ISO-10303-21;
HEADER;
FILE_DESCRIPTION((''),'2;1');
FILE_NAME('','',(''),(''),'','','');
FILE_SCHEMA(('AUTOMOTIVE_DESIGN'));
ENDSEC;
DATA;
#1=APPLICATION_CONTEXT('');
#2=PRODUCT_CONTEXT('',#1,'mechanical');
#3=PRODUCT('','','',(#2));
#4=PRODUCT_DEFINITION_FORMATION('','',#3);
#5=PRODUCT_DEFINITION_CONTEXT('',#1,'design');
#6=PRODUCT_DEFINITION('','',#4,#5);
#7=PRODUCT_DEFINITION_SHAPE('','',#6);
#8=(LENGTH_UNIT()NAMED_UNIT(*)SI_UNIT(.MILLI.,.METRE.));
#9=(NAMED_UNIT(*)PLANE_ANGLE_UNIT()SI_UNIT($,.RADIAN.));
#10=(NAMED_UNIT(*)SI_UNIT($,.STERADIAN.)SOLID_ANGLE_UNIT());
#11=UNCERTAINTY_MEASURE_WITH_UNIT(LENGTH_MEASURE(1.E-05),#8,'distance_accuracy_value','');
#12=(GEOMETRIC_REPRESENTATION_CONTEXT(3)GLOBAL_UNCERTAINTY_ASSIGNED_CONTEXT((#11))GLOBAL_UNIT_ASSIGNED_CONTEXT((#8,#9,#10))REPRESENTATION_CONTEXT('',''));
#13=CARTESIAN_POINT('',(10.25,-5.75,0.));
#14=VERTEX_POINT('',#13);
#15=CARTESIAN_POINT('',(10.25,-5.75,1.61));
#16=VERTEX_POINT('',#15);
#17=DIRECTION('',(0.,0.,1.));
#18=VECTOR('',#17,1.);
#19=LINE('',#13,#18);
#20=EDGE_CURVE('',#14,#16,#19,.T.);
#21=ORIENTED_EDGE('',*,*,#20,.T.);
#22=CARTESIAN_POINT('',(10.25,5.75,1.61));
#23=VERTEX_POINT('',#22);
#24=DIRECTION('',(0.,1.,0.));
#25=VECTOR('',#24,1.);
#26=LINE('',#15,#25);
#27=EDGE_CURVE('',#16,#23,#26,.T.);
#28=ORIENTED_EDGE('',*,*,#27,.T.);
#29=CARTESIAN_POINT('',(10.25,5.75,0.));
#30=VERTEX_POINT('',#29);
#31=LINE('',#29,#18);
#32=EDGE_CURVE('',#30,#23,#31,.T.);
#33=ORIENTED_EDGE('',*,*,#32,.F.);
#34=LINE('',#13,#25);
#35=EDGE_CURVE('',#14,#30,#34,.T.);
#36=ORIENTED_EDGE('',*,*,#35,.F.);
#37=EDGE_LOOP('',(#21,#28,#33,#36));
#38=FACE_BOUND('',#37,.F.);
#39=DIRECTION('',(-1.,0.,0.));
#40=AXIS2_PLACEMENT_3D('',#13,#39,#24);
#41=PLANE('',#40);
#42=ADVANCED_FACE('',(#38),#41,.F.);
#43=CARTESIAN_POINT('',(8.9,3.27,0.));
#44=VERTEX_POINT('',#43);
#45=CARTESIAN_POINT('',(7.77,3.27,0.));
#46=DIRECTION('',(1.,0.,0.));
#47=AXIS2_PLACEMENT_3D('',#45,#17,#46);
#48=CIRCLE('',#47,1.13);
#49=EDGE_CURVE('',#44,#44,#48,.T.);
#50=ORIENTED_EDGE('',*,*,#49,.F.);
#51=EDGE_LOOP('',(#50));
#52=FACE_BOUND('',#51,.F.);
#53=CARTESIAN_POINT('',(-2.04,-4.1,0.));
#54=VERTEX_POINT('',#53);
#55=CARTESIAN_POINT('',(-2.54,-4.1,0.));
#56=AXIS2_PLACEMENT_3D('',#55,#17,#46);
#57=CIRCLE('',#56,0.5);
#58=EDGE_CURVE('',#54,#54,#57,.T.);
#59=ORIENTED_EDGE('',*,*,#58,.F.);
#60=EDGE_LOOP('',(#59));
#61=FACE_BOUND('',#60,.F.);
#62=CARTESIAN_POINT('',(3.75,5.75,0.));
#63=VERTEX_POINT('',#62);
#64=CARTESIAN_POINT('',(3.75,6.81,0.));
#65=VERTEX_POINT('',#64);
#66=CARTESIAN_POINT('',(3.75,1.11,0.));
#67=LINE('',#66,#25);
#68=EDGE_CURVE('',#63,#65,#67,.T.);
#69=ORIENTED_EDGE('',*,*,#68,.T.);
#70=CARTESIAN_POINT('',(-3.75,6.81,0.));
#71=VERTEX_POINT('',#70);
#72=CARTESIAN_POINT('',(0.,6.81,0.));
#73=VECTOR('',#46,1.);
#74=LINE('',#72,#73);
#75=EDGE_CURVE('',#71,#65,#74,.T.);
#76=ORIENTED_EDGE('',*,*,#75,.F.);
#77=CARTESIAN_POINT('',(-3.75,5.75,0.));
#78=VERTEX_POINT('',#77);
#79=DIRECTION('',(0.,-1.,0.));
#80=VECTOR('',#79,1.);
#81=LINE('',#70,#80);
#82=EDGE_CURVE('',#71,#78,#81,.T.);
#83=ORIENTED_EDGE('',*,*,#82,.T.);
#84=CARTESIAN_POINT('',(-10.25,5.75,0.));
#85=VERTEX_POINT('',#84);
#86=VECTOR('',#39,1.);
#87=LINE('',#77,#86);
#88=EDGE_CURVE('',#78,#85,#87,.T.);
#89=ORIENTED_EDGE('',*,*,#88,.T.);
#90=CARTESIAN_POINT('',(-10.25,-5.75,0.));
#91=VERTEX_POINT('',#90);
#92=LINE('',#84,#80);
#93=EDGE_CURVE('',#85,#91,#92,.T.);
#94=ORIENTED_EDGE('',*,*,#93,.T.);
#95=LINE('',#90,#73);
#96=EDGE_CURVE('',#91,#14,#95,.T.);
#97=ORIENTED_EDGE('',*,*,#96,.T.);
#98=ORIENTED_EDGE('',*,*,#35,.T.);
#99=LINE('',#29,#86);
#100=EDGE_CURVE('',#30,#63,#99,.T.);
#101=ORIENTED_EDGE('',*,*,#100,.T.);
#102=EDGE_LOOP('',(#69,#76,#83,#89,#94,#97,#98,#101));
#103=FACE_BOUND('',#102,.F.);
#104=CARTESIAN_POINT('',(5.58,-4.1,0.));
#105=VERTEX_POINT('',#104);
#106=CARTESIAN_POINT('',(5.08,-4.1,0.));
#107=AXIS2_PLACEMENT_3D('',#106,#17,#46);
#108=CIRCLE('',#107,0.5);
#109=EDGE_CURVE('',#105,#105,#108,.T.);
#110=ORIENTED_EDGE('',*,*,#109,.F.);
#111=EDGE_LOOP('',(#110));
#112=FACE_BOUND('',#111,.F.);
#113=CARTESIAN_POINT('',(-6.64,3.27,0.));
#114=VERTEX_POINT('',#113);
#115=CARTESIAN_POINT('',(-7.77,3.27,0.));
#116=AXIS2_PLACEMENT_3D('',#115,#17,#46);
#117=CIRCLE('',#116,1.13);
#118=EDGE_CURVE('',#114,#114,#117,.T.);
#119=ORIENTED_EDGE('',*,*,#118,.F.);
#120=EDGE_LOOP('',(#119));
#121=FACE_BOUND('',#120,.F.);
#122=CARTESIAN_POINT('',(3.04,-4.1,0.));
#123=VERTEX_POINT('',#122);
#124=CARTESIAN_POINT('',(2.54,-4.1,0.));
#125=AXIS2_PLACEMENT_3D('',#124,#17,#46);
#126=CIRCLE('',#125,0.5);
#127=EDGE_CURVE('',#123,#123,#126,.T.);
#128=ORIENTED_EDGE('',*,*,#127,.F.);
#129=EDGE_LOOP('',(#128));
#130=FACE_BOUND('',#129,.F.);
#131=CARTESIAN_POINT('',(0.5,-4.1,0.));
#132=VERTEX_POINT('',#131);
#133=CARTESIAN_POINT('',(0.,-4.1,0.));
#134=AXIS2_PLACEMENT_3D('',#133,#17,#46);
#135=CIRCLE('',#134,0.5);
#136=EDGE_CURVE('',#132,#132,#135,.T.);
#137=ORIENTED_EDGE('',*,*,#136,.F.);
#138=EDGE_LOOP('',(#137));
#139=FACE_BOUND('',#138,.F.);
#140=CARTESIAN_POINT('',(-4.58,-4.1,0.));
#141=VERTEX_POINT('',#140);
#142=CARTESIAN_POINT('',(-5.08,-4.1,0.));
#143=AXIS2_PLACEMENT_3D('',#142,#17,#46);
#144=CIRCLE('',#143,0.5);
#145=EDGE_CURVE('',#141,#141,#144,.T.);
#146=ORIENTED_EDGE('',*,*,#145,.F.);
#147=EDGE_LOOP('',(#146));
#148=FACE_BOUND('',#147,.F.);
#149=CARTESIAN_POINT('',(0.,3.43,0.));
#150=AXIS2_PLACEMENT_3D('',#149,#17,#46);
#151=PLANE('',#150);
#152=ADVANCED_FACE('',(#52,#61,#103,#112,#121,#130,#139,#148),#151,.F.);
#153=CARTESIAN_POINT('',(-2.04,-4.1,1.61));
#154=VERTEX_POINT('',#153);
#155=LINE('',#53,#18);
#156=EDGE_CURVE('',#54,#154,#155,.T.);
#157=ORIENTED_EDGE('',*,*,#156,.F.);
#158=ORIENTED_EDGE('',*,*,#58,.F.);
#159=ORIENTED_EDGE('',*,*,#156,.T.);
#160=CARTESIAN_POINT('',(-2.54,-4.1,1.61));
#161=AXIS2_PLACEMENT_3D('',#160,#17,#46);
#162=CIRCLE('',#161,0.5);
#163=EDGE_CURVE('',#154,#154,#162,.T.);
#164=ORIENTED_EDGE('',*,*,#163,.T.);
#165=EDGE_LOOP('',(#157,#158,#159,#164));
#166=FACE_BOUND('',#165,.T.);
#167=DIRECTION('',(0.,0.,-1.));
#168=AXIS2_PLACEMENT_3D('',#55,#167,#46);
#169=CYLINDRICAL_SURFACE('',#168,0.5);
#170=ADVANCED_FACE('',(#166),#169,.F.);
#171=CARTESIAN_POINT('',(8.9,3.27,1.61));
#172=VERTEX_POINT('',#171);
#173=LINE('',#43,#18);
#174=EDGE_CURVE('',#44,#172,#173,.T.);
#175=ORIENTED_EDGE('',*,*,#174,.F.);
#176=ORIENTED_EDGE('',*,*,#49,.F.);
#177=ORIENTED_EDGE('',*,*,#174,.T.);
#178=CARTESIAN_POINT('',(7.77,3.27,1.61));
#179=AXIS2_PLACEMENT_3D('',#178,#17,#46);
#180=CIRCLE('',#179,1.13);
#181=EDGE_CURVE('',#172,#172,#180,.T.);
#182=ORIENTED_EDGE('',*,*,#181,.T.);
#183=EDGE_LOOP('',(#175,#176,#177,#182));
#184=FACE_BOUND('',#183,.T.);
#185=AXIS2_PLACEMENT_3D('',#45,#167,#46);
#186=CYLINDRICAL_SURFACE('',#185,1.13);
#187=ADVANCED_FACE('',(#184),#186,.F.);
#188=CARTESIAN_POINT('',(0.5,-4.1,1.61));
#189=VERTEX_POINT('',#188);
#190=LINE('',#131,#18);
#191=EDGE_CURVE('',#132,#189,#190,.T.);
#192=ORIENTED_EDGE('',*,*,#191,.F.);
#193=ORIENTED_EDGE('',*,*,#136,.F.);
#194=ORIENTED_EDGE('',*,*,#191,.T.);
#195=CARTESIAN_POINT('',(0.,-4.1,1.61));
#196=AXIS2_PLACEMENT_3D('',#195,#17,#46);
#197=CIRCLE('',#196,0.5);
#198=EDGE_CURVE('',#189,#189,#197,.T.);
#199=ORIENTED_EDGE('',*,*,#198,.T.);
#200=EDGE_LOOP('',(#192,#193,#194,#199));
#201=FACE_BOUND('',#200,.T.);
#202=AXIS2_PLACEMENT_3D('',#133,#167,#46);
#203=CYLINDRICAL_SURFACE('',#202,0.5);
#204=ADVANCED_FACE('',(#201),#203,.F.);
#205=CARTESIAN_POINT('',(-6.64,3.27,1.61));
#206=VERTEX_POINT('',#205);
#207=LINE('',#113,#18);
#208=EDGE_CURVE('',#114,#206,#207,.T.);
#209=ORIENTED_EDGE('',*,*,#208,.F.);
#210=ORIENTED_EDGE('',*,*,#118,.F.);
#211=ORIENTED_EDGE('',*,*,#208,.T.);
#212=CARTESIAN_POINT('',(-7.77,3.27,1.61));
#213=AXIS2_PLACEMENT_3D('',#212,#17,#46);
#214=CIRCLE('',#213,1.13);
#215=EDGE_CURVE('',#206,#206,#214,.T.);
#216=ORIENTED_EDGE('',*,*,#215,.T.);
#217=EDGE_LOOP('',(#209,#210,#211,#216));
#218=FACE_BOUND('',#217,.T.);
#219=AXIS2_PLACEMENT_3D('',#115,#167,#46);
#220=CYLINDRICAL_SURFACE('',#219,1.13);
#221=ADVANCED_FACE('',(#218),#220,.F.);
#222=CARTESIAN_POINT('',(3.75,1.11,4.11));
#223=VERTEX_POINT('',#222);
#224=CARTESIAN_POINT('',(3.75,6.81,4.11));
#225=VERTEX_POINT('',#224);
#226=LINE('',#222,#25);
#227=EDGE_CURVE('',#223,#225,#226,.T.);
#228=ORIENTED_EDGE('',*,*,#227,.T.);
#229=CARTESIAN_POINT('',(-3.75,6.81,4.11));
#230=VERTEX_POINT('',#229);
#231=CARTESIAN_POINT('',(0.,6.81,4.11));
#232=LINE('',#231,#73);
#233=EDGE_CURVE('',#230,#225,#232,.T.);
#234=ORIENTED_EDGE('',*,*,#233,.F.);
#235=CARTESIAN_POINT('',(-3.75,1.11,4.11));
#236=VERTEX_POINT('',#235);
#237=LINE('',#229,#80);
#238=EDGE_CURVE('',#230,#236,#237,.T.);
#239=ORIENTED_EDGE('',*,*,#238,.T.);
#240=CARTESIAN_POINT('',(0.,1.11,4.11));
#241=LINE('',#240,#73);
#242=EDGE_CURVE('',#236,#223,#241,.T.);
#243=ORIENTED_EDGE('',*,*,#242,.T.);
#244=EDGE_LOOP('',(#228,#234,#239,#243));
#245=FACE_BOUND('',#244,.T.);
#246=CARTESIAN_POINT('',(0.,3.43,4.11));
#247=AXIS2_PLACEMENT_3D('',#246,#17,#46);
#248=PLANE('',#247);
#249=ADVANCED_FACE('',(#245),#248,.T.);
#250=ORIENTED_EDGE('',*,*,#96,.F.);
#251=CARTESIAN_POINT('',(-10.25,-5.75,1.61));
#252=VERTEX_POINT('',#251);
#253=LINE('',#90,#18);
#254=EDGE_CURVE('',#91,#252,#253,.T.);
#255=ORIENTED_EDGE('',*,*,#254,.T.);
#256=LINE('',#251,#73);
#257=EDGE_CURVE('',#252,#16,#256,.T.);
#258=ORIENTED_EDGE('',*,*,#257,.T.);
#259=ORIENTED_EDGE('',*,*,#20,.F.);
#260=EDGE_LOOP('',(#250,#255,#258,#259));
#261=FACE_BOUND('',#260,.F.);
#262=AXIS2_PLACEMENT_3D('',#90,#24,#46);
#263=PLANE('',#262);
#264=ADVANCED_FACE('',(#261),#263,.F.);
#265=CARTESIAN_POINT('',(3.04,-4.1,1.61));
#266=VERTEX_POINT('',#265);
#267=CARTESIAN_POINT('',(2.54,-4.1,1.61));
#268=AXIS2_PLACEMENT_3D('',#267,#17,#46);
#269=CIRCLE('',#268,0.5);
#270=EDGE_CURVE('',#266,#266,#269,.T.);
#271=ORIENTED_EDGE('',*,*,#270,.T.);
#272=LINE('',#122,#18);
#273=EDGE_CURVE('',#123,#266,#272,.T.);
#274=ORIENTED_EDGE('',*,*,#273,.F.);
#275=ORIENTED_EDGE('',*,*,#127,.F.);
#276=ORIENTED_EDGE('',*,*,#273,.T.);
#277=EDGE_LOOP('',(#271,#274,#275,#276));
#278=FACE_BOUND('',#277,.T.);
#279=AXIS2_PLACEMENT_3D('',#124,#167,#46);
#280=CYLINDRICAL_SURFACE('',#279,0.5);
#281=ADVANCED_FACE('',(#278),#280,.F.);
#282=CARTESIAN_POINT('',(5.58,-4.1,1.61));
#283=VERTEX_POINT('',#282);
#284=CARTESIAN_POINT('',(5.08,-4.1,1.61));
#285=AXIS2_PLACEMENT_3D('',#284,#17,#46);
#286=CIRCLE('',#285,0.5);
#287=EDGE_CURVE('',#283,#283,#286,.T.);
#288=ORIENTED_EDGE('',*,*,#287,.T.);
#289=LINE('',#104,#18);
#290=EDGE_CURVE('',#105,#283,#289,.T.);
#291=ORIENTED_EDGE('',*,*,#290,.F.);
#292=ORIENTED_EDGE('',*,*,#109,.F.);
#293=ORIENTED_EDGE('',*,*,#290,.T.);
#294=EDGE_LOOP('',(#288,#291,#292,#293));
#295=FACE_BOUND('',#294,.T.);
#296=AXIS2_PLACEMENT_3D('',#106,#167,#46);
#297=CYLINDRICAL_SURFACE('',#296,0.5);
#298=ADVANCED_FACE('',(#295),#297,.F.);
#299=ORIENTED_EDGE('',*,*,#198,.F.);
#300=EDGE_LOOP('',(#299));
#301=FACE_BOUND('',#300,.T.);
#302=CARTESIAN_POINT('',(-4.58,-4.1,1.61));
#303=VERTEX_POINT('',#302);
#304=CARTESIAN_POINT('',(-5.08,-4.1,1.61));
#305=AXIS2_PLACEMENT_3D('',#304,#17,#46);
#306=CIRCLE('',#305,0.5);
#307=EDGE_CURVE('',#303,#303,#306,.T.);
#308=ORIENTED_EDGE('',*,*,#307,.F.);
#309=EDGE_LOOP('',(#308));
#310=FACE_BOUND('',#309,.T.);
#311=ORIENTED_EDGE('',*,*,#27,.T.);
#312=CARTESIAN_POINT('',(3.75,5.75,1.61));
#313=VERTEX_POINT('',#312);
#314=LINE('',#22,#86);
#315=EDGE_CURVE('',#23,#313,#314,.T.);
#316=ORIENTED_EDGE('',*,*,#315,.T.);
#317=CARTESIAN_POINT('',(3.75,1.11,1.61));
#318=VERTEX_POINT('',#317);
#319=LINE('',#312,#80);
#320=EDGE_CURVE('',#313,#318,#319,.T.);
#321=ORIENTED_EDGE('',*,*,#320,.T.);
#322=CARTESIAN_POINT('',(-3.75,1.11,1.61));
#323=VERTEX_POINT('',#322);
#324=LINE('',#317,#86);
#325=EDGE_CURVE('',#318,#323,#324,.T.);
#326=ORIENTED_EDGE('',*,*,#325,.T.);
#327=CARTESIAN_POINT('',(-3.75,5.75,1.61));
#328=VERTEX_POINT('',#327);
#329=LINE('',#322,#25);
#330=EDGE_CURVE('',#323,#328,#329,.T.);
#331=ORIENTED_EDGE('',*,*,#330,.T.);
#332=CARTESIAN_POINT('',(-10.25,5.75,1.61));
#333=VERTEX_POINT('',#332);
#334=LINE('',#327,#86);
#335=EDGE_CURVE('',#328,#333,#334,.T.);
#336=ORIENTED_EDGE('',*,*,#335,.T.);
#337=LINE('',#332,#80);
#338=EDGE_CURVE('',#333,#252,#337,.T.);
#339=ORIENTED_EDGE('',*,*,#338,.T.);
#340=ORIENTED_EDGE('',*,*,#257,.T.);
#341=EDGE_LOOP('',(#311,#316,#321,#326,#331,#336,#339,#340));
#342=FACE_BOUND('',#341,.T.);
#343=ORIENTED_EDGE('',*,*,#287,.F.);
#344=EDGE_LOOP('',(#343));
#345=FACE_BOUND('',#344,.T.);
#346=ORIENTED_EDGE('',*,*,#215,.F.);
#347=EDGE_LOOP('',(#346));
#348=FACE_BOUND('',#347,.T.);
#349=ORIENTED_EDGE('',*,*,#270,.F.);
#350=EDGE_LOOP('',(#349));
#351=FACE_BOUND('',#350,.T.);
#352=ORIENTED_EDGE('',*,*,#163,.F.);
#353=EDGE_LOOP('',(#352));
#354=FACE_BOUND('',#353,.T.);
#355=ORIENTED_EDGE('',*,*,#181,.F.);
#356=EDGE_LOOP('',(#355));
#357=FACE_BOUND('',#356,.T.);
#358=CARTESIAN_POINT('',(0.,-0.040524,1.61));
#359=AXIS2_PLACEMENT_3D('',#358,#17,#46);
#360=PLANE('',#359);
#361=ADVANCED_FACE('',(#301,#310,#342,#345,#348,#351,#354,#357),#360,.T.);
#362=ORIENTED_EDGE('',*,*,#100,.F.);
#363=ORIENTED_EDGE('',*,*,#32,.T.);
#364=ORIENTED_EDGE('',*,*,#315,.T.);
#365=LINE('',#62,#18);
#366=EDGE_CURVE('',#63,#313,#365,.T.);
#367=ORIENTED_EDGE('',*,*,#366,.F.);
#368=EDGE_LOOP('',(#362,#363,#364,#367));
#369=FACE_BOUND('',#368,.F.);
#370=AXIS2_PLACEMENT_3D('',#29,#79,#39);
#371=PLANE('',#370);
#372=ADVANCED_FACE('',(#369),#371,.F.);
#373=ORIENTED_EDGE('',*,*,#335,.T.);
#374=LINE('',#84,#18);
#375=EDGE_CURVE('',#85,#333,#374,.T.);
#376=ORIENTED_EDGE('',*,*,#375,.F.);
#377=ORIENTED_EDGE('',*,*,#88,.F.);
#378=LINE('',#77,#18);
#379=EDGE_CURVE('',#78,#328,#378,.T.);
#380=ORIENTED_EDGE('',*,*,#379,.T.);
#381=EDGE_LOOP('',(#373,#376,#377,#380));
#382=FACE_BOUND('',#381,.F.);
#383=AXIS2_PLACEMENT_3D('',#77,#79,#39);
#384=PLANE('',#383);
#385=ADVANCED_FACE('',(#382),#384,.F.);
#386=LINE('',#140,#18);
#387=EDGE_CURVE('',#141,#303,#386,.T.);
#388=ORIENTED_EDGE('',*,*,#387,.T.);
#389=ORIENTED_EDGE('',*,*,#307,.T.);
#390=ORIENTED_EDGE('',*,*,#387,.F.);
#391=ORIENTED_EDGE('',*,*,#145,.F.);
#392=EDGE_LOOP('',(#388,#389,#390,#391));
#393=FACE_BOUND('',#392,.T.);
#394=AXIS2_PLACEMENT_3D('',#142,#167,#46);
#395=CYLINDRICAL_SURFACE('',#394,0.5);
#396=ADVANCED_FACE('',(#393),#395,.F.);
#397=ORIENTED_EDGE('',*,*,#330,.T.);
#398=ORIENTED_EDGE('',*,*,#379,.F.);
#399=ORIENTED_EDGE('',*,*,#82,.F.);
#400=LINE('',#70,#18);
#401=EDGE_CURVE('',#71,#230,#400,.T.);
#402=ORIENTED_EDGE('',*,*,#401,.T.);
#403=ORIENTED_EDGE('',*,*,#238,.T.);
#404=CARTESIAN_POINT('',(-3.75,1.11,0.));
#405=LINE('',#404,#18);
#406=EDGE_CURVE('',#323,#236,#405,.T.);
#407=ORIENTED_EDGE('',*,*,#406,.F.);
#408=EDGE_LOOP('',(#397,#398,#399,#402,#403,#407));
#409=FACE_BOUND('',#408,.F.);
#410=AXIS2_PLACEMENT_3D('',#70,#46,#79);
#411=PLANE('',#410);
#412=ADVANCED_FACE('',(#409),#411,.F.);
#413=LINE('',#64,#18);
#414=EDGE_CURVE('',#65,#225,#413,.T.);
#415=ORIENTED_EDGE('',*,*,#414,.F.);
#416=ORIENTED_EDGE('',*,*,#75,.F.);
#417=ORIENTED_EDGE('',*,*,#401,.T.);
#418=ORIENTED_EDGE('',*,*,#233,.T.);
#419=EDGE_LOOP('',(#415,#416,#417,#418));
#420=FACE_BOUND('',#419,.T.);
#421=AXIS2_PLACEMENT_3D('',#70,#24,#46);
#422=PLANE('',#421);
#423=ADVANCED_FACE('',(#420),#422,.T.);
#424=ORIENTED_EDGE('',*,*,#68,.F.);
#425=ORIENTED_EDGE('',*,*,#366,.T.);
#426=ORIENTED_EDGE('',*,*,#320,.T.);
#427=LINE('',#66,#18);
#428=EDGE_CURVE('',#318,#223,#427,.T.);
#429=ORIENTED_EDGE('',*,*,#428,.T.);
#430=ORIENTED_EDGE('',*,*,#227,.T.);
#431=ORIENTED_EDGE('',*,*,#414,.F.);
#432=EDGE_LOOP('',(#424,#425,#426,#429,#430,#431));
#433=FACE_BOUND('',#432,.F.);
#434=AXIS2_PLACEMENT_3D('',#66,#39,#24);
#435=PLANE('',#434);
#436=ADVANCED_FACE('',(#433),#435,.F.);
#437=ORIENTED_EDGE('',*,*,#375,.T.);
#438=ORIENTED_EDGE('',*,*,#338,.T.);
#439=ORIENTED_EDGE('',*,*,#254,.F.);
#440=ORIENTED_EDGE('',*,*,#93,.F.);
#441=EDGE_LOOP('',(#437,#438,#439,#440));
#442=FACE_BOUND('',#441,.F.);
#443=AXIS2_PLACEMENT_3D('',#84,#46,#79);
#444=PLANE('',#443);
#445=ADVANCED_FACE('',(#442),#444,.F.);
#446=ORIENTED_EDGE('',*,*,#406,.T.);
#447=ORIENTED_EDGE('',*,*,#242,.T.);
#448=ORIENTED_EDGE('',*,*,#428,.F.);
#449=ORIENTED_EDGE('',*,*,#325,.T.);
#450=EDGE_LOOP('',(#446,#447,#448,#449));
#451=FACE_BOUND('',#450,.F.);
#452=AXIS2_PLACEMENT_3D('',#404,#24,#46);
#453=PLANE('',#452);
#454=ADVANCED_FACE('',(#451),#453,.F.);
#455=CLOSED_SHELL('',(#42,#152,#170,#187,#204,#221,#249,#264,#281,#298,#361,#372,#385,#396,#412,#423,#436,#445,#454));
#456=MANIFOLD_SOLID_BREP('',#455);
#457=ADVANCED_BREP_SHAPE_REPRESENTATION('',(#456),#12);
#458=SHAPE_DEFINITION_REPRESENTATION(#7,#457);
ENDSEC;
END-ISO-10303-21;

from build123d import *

# Parameters (mm, degrees)
F0_R     = 0.5
F0_R_2   = 1.13
F1_DEPTH = 1.61
F0_W     = 7.5
F0_H     = 4.64
F0_H_2   = 1.06
F2_DEPTH = 4.11


with BuildPart() as f1:
    # F0 (on Top) → F1 (new body)
    with BuildSketch(Plane.XY):
        Polygon((-10.25, -5.75), (10.25, -5.75), (10.25, 5.75), (3.75, 5.75), (3.75, 1.11), (-3.75, 1.11), (-3.75, 5.75), (-10.25, 5.75), align=None)
        with Locations((-5.08, -4.1)):
            Circle(F0_R, mode=Mode.SUBTRACT)
        with Locations((-2.54, -4.1)):
            Circle(F0_R, mode=Mode.SUBTRACT)
        with Locations((0, -4.1)):
            Circle(F0_R, mode=Mode.SUBTRACT)
        with Locations((2.54, -4.1)):
            Circle(F0_R, mode=Mode.SUBTRACT)
        with Locations((5.08, -4.1)):
            Circle(F0_R, mode=Mode.SUBTRACT)
        with Locations((-7.77, 3.27)):
            Circle(F0_R_2, mode=Mode.SUBTRACT)
        with Locations((7.77, 3.27)):
            Circle(F0_R_2, mode=Mode.SUBTRACT)
    extrude(amount=F1_DEPTH)

    # F0 (on Top) → F2 (join)
    with BuildSketch(Plane.XY):
        with Locations((0, 3.43)):
            Rectangle(F0_W, F0_H)
        with Locations((0, 6.28)):
            Rectangle(F0_W, F0_H_2)
    extrude(amount=F2_DEPTH)


solid = f1.part
